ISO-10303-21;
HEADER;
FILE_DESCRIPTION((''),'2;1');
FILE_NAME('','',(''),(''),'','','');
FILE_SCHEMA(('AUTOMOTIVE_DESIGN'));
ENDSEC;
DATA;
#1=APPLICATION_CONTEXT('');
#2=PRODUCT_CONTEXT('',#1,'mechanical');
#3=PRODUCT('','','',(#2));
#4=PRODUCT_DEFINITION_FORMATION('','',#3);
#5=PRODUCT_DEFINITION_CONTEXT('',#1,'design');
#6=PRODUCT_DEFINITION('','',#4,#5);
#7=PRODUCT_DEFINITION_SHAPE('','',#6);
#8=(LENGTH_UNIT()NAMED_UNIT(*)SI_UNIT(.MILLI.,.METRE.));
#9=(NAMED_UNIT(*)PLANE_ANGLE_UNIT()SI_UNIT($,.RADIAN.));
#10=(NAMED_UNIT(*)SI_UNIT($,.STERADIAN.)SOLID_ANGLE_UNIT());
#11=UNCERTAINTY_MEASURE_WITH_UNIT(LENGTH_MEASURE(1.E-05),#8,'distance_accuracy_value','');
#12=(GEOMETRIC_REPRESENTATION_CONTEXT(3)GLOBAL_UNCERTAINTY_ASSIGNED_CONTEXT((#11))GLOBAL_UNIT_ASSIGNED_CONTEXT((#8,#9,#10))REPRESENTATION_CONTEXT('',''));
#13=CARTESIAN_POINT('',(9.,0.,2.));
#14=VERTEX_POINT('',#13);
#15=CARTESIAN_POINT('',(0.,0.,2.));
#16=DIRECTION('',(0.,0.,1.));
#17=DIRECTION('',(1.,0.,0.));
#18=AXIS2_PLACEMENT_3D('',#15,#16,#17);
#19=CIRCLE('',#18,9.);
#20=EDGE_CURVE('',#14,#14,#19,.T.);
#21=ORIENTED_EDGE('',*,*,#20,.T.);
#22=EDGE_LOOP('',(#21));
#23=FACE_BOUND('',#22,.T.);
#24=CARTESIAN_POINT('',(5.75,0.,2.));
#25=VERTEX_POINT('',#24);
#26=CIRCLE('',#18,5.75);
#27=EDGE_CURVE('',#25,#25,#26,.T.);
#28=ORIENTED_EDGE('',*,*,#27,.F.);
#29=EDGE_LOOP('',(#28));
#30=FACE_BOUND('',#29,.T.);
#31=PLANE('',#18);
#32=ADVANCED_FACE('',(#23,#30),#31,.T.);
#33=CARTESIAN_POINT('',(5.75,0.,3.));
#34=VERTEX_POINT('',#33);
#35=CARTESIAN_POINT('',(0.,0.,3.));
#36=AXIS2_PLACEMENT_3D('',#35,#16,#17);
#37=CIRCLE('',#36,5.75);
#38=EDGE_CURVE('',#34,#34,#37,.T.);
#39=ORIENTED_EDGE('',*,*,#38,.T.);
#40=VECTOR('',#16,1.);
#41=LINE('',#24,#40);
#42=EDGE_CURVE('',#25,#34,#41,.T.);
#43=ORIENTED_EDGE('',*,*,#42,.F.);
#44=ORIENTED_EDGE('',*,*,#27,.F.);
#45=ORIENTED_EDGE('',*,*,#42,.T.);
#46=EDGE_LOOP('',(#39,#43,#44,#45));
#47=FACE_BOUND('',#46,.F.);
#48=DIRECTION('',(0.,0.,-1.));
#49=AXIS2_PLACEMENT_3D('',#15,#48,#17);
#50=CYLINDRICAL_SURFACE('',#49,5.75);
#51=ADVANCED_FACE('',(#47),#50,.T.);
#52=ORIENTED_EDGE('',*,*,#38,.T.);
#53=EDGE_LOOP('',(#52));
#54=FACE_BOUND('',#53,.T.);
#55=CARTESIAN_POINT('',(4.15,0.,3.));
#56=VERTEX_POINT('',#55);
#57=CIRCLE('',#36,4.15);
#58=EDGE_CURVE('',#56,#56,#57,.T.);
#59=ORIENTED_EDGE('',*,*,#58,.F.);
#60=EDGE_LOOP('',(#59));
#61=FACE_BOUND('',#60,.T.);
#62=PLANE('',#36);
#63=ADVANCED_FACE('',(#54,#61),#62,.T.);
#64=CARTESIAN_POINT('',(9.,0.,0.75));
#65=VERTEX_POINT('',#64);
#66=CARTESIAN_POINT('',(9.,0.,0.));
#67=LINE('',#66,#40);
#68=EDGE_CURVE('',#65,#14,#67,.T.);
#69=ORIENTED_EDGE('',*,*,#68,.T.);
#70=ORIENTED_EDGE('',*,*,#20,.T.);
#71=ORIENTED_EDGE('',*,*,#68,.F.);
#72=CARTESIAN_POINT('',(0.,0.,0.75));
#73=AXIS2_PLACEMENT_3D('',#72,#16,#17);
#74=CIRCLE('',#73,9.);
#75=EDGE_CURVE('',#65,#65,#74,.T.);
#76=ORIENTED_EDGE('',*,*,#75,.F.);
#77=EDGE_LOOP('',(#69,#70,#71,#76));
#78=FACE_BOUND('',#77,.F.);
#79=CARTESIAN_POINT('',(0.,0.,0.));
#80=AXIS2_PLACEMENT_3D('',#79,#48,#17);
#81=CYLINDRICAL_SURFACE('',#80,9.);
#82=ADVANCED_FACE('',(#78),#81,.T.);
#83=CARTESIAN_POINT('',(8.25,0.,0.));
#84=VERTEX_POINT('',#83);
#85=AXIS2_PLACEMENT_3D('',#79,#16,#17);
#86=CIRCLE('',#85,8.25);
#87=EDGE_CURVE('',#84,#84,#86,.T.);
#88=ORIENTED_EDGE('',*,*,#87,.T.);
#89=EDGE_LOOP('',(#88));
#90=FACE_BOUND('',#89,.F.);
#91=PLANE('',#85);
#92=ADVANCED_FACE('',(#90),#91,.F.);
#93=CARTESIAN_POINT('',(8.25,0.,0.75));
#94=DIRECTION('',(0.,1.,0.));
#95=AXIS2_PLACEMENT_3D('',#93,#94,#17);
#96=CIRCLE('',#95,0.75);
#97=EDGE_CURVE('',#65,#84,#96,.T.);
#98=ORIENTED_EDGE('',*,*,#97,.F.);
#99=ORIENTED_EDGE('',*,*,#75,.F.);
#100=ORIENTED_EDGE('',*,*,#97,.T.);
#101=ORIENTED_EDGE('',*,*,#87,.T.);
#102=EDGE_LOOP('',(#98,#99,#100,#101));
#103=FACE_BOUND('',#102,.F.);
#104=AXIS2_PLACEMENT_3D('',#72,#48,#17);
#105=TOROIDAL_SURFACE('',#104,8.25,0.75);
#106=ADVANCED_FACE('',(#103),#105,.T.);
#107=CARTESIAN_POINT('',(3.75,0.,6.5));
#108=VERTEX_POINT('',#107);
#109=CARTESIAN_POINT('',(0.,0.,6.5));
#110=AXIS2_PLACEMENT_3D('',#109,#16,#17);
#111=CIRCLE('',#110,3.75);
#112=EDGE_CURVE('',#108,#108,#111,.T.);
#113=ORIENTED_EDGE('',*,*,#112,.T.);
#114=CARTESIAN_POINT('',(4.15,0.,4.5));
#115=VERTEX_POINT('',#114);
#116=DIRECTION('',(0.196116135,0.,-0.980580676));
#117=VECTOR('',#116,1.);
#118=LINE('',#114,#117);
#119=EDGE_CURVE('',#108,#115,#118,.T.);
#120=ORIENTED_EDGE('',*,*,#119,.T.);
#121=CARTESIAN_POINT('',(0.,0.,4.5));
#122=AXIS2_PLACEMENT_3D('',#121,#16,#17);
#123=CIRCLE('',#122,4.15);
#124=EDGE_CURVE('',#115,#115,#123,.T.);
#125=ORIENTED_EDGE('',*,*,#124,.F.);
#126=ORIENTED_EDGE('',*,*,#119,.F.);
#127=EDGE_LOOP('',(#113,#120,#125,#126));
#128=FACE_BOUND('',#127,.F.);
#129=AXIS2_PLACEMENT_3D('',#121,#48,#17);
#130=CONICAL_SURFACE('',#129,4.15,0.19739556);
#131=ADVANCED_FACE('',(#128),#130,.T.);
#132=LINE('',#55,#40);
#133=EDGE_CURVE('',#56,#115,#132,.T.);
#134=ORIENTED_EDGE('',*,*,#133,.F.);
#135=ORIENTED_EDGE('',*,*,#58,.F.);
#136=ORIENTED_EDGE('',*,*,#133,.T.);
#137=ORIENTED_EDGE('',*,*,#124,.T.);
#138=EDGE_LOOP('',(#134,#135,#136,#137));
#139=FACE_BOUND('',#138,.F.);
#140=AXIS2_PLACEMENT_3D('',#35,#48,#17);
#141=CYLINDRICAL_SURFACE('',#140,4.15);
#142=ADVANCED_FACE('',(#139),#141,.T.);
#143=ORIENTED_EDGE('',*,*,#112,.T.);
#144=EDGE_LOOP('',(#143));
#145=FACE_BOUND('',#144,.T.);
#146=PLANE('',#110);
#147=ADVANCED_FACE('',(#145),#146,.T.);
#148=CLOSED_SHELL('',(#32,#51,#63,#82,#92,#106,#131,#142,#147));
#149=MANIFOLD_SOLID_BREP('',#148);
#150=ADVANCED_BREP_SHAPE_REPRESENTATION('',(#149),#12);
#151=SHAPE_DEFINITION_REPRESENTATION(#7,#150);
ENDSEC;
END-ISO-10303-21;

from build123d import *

# Parameters (mm, degrees)
F0_R     = 9
F1_DEPTH = 2
F2_R     = 5.75
F3_DEPTH = 1
F4_R     = 4.15
F5_DEPTH = 3.5
F6_R     = 0.75
F7_SIZE2 = 2
F7_SIZE  = 0.4


with BuildPart() as f1:
    # F0 (on Top) → F1 (new body)
    with BuildSketch(Plane.XY):
        Circle(F0_R)
    extrude(amount=F1_DEPTH)

    # F2 (on face) → F3 (join)
    with BuildSketch(Plane.XY.offset(2)):
        Circle(F2_R)
    extrude(amount=F3_DEPTH)

    # F4 (on face) → F5 (join)
    with BuildSketch(Plane.XY.offset(3)):
        Circle(F4_R)
    extrude(amount=F5_DEPTH)

    # F6
    f6_edges = [f1.edges().sort_by_distance(p)[0] for p in [
        (-9, 0, 0),
    ]]
    fillet(f6_edges, radius=F6_R)

    # F7
    f7_edges = [f1.edges().sort_by_distance(p)[0] for p in [
        (-4.15, 0, 6.5),
    ]]
    f7_side = f1.faces().sort_by_distance((0, 0, 6.5))[0]
    chamfer(f7_edges, length=F7_SIZE, length2=F7_SIZE2, reference=f7_side)


solid = f1.part
